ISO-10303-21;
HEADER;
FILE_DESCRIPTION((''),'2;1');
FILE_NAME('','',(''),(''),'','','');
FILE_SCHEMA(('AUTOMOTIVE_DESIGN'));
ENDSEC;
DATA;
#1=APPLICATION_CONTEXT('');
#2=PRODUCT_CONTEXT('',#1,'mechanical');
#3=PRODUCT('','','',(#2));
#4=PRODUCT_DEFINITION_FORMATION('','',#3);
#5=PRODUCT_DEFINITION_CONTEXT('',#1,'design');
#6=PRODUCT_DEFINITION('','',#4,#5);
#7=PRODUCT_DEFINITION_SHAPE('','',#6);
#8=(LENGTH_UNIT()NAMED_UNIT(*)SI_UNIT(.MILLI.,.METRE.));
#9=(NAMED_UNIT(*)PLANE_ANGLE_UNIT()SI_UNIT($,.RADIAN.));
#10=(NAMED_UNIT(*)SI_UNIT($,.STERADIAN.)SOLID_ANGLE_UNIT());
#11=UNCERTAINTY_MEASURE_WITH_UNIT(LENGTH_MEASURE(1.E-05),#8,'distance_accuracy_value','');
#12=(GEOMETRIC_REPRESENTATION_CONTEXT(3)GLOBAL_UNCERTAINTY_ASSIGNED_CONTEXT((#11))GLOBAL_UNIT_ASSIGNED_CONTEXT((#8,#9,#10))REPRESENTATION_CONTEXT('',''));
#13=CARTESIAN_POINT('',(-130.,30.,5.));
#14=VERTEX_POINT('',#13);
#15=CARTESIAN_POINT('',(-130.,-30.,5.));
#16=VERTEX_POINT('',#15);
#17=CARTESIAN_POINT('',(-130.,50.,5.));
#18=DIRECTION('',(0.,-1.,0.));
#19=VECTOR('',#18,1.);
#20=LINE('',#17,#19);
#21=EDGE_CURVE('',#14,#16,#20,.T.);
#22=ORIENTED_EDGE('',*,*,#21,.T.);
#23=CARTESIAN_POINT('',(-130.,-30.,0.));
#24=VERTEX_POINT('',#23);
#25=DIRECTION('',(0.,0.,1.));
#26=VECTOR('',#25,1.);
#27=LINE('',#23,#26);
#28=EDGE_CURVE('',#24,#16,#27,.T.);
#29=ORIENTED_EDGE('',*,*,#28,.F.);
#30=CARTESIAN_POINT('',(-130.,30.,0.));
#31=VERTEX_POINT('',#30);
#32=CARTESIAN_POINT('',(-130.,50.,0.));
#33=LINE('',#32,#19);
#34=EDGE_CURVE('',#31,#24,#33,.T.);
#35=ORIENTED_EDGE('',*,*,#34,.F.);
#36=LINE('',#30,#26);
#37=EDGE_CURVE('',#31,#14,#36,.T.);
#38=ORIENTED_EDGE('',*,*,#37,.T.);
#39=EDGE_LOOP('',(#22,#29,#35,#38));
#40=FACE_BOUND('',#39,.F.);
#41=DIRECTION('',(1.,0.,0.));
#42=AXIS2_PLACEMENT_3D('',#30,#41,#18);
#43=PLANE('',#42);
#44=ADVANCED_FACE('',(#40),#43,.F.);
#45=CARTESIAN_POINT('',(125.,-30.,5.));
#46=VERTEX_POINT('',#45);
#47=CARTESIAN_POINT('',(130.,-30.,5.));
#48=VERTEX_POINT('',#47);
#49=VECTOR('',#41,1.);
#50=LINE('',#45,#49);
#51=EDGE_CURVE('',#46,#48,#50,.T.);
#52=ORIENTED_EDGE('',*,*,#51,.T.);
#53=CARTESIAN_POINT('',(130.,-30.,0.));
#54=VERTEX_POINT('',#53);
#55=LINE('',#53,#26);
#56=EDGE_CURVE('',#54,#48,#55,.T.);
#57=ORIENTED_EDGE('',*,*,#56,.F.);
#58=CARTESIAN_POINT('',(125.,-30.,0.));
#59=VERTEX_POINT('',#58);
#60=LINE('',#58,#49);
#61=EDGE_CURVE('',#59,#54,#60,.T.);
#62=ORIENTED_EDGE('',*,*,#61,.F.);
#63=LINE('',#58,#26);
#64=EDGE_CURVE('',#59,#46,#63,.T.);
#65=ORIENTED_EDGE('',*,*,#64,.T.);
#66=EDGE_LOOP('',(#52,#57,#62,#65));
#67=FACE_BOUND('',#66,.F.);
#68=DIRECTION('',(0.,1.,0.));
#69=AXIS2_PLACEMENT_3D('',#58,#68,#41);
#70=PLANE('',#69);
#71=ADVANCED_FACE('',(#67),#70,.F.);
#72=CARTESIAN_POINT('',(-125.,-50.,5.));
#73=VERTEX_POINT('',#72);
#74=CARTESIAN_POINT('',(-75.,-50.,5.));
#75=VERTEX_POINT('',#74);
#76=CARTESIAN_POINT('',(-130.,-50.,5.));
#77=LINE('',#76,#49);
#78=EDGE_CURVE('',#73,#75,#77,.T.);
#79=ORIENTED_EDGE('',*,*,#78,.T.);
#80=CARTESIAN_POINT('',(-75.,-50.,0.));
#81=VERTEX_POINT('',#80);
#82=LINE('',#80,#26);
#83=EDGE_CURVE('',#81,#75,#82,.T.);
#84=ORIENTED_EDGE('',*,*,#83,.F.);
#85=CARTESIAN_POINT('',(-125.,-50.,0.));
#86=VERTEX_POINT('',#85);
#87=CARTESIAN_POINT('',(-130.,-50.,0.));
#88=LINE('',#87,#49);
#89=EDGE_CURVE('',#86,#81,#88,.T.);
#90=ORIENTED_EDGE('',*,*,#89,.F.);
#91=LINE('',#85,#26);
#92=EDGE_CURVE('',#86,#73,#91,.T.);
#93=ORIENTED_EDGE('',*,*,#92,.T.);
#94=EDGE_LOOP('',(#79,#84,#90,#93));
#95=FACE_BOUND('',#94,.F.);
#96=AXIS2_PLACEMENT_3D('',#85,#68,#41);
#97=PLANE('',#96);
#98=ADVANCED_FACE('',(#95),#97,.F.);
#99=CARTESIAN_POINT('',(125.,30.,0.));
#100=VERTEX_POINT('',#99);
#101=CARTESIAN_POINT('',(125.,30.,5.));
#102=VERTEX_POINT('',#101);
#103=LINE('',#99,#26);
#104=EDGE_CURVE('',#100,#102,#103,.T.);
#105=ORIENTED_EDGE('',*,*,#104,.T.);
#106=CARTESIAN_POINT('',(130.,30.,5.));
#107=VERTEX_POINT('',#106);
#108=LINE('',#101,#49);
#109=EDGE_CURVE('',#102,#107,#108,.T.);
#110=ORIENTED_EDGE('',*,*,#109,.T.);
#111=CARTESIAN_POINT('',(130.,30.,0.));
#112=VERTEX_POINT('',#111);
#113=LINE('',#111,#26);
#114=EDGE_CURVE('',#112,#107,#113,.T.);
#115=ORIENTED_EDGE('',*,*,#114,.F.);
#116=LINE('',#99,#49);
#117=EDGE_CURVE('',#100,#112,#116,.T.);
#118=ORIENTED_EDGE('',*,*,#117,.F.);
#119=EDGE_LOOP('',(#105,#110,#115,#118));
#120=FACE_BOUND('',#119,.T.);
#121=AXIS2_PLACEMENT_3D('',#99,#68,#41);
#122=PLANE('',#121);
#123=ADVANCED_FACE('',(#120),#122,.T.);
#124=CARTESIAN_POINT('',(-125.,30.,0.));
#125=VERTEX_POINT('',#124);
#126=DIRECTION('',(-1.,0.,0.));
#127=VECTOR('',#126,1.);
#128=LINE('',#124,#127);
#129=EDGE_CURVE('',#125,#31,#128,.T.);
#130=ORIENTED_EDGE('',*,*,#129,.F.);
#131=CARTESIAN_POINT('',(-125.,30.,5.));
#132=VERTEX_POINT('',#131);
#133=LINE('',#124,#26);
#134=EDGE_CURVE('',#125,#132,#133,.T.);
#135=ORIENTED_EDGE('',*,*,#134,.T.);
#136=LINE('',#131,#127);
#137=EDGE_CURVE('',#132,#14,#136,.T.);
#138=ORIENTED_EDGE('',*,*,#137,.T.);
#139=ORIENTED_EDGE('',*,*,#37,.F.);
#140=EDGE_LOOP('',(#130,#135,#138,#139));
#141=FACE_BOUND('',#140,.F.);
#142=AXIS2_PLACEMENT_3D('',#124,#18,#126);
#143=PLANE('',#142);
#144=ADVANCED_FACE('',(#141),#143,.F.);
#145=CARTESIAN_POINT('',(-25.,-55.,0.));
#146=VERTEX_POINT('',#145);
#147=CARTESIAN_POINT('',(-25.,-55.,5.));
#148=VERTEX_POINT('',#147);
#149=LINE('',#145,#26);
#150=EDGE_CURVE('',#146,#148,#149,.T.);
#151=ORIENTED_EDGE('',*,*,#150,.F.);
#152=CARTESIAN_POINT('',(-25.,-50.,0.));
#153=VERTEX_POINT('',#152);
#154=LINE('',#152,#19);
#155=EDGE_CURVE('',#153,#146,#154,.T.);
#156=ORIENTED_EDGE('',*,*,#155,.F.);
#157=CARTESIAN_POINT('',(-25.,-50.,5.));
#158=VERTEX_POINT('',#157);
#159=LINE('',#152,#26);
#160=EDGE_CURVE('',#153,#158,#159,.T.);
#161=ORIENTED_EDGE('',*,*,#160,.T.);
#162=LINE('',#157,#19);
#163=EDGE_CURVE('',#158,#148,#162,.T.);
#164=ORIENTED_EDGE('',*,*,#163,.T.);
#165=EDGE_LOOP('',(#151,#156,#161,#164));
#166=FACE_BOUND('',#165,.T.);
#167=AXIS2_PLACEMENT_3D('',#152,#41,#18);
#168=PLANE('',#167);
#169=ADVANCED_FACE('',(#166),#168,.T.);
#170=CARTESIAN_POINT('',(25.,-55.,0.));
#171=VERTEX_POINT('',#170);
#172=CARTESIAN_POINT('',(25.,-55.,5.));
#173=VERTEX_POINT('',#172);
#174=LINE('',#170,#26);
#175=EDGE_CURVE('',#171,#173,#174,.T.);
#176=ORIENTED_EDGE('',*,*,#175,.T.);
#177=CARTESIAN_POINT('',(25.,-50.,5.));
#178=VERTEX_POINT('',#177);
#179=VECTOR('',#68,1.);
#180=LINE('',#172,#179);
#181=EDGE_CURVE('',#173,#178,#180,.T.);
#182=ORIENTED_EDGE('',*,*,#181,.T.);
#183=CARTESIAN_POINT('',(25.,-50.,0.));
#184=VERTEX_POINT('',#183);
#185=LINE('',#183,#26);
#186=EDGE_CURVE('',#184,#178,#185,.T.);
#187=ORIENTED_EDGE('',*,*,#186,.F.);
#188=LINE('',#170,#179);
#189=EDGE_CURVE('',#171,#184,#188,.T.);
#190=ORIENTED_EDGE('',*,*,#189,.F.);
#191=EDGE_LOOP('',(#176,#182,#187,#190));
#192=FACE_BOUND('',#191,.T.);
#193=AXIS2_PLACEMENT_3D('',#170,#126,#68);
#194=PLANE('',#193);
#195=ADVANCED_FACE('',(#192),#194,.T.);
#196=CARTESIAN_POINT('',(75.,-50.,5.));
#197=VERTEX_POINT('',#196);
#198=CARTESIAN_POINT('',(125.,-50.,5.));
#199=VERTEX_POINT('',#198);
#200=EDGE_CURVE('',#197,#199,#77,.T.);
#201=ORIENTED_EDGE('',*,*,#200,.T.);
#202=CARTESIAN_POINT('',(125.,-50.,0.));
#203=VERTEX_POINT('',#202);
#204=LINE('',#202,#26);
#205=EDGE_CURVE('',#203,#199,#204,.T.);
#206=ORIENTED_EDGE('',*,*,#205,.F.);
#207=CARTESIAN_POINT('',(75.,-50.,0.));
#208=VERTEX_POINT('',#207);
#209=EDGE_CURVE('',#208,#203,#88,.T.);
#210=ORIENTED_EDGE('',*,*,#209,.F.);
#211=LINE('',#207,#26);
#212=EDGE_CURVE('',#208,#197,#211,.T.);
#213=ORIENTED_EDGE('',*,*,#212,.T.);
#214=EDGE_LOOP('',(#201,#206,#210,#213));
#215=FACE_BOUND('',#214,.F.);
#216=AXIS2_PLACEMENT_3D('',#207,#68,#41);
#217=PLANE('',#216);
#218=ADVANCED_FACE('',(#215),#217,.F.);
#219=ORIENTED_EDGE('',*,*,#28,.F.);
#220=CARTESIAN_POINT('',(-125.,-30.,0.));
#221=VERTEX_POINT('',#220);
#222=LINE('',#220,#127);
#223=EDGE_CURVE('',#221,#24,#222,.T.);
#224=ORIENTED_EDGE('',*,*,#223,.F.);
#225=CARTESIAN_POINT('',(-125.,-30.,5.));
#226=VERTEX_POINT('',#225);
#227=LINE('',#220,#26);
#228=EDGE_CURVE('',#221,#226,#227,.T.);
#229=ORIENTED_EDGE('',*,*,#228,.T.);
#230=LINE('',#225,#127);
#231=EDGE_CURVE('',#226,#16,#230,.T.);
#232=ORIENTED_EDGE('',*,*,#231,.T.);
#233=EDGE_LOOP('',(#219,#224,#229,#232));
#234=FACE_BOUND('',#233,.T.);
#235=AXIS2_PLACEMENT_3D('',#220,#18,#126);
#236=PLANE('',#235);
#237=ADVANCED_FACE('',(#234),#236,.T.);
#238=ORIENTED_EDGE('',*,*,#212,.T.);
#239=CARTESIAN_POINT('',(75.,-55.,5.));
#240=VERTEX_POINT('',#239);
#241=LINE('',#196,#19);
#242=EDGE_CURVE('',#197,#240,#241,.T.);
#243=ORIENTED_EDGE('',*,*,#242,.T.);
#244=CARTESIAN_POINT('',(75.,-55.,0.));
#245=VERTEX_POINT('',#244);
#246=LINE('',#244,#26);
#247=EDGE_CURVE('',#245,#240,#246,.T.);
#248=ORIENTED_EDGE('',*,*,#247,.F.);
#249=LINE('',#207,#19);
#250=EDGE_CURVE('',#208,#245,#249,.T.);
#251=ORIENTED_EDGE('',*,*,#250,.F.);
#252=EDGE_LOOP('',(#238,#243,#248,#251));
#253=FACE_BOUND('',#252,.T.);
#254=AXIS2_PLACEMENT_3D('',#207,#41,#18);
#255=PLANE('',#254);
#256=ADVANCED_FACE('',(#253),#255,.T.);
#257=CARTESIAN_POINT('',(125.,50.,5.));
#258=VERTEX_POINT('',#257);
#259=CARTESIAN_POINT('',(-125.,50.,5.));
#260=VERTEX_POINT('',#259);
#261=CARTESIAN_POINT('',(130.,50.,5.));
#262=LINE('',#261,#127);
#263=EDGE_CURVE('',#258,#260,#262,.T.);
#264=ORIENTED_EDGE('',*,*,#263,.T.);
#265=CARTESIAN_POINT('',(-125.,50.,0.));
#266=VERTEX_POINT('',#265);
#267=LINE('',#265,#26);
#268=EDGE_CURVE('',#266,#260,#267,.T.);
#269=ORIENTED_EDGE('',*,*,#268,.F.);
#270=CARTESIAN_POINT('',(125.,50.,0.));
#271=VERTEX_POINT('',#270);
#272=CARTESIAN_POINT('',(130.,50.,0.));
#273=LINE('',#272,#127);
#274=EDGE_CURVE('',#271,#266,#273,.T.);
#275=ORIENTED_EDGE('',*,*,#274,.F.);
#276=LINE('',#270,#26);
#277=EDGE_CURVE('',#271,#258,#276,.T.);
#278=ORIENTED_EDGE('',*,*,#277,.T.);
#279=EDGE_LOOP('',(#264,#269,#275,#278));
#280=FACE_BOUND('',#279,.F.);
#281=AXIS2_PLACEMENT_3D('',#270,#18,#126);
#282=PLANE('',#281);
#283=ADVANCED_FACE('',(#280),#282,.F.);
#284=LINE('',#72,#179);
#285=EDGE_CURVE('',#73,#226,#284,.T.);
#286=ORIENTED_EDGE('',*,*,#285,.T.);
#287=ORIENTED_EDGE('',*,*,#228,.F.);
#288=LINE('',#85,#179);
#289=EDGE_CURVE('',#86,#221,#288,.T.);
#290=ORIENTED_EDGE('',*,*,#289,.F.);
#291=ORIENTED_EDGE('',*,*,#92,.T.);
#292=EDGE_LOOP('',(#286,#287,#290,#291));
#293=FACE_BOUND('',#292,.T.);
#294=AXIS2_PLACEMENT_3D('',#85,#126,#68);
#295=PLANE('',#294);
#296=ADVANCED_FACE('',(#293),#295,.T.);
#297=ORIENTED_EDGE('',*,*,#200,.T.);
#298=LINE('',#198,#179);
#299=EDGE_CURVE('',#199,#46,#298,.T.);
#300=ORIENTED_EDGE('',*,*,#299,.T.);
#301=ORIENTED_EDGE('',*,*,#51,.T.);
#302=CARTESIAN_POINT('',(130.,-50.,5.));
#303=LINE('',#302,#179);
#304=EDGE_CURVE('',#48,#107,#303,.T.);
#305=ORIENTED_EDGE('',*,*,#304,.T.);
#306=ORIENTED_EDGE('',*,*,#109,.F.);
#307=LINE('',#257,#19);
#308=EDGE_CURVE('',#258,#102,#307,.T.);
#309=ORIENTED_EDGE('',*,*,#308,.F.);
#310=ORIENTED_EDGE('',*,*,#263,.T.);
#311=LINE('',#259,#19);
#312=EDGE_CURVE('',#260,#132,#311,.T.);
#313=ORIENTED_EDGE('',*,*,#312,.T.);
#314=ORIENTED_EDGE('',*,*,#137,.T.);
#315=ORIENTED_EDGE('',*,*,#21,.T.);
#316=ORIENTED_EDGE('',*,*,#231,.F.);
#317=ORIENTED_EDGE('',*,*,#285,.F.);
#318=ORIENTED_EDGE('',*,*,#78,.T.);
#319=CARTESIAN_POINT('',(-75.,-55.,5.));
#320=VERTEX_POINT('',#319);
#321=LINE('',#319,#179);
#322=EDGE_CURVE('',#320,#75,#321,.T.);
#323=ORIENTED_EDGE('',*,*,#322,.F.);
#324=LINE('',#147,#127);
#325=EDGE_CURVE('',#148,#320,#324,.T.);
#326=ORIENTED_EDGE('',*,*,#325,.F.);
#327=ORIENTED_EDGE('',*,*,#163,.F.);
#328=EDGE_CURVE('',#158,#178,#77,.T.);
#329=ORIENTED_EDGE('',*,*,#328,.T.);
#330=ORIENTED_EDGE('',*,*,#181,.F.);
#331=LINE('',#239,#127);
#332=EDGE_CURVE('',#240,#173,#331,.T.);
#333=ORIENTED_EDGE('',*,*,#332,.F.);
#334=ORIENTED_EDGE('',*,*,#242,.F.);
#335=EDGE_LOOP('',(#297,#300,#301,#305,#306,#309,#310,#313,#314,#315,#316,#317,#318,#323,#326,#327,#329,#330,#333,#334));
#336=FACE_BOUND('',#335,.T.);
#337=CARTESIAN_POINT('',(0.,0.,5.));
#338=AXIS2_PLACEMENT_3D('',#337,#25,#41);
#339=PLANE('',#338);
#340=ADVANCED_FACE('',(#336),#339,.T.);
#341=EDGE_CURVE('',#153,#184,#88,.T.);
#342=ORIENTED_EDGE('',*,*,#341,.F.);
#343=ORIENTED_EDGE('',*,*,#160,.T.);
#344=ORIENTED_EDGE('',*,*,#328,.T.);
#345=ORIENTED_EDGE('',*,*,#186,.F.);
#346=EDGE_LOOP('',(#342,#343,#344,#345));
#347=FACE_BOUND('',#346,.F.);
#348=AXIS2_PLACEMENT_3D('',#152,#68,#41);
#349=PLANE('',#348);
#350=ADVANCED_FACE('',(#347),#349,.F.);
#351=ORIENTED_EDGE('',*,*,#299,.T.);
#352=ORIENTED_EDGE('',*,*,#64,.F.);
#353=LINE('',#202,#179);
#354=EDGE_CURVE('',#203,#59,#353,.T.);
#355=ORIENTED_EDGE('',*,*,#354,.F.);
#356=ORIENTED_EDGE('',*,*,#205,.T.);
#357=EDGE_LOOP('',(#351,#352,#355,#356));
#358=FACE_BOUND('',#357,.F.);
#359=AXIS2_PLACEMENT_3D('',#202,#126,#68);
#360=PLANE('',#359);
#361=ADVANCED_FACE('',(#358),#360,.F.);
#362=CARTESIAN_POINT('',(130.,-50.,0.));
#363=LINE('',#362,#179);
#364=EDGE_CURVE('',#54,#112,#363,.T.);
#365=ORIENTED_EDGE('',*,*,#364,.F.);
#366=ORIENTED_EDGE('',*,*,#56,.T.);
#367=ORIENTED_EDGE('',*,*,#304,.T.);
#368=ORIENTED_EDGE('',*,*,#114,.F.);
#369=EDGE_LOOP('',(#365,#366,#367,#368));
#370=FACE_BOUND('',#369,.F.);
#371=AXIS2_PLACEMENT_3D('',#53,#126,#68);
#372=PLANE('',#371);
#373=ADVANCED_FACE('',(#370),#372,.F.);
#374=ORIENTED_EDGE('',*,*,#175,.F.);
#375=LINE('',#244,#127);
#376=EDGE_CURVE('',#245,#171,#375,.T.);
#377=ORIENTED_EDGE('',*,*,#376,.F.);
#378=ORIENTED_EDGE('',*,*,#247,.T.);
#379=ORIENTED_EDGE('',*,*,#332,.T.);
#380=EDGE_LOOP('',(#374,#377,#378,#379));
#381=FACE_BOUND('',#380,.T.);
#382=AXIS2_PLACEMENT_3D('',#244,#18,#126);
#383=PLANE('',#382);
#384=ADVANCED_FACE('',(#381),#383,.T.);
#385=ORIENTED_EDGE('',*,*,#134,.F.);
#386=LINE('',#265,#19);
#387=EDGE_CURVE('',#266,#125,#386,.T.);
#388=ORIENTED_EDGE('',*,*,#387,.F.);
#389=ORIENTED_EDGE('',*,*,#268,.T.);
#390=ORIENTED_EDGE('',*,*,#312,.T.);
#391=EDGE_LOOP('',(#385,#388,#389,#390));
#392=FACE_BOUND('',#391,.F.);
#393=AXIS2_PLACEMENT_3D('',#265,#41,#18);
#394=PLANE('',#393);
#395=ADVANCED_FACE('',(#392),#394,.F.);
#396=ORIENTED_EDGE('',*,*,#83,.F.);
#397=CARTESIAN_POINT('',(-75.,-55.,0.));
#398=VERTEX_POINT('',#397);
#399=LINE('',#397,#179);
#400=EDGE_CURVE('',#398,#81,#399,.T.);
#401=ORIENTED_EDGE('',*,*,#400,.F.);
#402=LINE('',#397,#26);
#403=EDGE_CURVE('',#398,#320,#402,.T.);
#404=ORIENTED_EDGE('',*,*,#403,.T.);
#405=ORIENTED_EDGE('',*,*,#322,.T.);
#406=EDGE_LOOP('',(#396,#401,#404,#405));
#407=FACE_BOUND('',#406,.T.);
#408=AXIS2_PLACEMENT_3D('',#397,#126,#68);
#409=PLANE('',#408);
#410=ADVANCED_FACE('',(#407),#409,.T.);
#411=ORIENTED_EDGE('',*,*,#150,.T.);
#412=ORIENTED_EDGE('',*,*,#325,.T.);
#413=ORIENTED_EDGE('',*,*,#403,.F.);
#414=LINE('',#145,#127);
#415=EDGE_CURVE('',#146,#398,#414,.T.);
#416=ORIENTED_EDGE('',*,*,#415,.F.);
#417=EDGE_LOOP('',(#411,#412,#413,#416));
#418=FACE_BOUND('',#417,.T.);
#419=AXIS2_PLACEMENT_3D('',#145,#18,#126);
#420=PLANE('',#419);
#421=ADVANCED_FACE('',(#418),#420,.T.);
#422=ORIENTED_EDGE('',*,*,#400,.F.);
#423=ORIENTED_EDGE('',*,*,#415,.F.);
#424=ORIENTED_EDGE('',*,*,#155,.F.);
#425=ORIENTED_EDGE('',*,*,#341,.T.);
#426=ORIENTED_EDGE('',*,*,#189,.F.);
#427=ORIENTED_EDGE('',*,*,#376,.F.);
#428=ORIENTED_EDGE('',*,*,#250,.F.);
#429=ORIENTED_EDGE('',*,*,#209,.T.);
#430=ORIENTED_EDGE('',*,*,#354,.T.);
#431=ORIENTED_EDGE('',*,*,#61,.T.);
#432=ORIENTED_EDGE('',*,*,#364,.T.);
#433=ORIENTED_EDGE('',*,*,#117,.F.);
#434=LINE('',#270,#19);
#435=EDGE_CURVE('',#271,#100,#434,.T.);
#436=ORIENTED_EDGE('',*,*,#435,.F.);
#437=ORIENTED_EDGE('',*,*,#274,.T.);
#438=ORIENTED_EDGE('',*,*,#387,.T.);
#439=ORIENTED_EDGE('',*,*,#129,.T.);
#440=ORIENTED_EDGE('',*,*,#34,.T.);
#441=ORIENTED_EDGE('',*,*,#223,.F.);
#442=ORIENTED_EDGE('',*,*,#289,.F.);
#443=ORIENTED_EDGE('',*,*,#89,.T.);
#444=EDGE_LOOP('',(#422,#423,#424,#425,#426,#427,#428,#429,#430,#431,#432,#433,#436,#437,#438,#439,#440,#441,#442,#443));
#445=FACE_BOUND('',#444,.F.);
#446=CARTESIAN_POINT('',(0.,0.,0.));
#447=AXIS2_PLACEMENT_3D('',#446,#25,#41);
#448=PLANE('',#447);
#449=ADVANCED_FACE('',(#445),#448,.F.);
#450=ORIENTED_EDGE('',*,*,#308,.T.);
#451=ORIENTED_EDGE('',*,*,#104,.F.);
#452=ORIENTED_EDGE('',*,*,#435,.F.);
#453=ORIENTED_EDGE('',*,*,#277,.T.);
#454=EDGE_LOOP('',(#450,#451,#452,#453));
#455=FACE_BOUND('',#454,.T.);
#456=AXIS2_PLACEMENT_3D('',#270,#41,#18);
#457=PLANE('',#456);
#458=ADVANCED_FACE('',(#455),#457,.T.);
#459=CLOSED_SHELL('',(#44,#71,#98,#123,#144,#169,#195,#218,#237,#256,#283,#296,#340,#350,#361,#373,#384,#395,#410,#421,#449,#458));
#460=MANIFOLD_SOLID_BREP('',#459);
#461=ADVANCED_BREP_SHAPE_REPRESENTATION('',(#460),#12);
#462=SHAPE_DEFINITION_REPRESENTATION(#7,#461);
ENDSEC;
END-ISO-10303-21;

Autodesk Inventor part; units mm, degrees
ref_plane "YZ Plane" through (0, 0, 0) normal (1, 0, 0) x (0, 1, 0)
ref_plane "XZ Plane" through (0, 0, 0) normal (0, 1, 0) x (-1, 0, 0)
ref_plane "XY Plane" through (0, 0, 0) normal (0, 0, 1) x (1, 0, 0)
sketch "Sketch1" plane through (0, 0, 0) normal (0, 0, 1) x (1, 0, 0)
  line L0 (-130, -50) -> (130, -50)
  line L1 (130, -50) -> (130, 50)
  line L2 (130, 50) -> (-130, 50)
  line L3 (-130, 50) -> (-130, -50)
  line L4 (-130, -50) -> (130, 50) construction
  line L5 (130, -50) -> (-130, 50) construction
  line L6 (-75, -50) -> (-25, -50)
  line L7 (-25, -50) -> (-25, -55)
  line L8 (-25, -55) -> (-75, -55)
  line L9 (-75, -55) -> (-75, -50)
  line L10 (25, -50) -> (75, -50)
  line L11 (75, -50) -> (75, -55)
  line L12 (75, -55) -> (25, -55)
  line L13 (25, -55) -> (25, -50)
  line L14 (130, 50) -> (125, 50)
  line L15 (125, 50) -> (125, 30)
  line L16 (125, 30) -> (130, 30)
  line L17 (130, 30) -> (130, 50)
  line L18 (130, -50) -> (125, -50)
  line L19 (125, -50) -> (125, -30)
  line L20 (125, -30) -> (130, -30)
  line L21 (130, -30) -> (130, -50)
  line L22 (0, 50) -> (0, -50) construction
  line L23 (-125, 50) -> (-125, 30)
  line L24 (-125, 30) -> (-130, 30)
  line L25 (-125, -50) -> (-125, -30)
  line L26 (-125, -30) -> (-130, -30)
  point P0 (0, 0)
  point P1 (-75, -52.5)
  point P2 (-25, -50)
  point P3 (75, -50)
  point P4 (-125, -50)
  point P5 (130, -30)
  point P6 (130, 30)
  point P7 (125, 50)
  point P8 (-125, 50)
  point P9 (-130, 30)
  dimension "d0" = 260
  dimension "d1" = 100
  dimension "d2" = 50
  dimension "d3" = 50
  dimension "d4" = 50
  dimension "d5" = 55
  dimension "d6" = 5
  dimension "d10" = 20
  dimension "d12" = 5
  dimension "d13" = 20
extrude "Extrusion1" add sketch "Sketch1" along normal blind 5 contours L25 L26 L3 L24 L23 L2 L15 L16 L1 L20 L19 L0 | L0 L7 L8 L9 | L0 L11 L12 L13
equation "\"BendRadius\" = Thickness"
equation "\"BendReliefWidth\" = Thickness"
equation "\"BendReliefDepth\" = 0.5 * Thickness"
equation "\"CornerReliefSize\" = 4 * Thickness"
equation "\"MinimumRemnant\" = 2 * Thickness"
equation "\"TransitionRadius\" = BendRadius"
equation "\"JacobiRadiusSize\" = BendRadius"
equation "\"GapSize\" = Thickness"
equation "\"Thickness\" = 3.048"
properties part number "Lat1" material "Wood (Cherry)"
